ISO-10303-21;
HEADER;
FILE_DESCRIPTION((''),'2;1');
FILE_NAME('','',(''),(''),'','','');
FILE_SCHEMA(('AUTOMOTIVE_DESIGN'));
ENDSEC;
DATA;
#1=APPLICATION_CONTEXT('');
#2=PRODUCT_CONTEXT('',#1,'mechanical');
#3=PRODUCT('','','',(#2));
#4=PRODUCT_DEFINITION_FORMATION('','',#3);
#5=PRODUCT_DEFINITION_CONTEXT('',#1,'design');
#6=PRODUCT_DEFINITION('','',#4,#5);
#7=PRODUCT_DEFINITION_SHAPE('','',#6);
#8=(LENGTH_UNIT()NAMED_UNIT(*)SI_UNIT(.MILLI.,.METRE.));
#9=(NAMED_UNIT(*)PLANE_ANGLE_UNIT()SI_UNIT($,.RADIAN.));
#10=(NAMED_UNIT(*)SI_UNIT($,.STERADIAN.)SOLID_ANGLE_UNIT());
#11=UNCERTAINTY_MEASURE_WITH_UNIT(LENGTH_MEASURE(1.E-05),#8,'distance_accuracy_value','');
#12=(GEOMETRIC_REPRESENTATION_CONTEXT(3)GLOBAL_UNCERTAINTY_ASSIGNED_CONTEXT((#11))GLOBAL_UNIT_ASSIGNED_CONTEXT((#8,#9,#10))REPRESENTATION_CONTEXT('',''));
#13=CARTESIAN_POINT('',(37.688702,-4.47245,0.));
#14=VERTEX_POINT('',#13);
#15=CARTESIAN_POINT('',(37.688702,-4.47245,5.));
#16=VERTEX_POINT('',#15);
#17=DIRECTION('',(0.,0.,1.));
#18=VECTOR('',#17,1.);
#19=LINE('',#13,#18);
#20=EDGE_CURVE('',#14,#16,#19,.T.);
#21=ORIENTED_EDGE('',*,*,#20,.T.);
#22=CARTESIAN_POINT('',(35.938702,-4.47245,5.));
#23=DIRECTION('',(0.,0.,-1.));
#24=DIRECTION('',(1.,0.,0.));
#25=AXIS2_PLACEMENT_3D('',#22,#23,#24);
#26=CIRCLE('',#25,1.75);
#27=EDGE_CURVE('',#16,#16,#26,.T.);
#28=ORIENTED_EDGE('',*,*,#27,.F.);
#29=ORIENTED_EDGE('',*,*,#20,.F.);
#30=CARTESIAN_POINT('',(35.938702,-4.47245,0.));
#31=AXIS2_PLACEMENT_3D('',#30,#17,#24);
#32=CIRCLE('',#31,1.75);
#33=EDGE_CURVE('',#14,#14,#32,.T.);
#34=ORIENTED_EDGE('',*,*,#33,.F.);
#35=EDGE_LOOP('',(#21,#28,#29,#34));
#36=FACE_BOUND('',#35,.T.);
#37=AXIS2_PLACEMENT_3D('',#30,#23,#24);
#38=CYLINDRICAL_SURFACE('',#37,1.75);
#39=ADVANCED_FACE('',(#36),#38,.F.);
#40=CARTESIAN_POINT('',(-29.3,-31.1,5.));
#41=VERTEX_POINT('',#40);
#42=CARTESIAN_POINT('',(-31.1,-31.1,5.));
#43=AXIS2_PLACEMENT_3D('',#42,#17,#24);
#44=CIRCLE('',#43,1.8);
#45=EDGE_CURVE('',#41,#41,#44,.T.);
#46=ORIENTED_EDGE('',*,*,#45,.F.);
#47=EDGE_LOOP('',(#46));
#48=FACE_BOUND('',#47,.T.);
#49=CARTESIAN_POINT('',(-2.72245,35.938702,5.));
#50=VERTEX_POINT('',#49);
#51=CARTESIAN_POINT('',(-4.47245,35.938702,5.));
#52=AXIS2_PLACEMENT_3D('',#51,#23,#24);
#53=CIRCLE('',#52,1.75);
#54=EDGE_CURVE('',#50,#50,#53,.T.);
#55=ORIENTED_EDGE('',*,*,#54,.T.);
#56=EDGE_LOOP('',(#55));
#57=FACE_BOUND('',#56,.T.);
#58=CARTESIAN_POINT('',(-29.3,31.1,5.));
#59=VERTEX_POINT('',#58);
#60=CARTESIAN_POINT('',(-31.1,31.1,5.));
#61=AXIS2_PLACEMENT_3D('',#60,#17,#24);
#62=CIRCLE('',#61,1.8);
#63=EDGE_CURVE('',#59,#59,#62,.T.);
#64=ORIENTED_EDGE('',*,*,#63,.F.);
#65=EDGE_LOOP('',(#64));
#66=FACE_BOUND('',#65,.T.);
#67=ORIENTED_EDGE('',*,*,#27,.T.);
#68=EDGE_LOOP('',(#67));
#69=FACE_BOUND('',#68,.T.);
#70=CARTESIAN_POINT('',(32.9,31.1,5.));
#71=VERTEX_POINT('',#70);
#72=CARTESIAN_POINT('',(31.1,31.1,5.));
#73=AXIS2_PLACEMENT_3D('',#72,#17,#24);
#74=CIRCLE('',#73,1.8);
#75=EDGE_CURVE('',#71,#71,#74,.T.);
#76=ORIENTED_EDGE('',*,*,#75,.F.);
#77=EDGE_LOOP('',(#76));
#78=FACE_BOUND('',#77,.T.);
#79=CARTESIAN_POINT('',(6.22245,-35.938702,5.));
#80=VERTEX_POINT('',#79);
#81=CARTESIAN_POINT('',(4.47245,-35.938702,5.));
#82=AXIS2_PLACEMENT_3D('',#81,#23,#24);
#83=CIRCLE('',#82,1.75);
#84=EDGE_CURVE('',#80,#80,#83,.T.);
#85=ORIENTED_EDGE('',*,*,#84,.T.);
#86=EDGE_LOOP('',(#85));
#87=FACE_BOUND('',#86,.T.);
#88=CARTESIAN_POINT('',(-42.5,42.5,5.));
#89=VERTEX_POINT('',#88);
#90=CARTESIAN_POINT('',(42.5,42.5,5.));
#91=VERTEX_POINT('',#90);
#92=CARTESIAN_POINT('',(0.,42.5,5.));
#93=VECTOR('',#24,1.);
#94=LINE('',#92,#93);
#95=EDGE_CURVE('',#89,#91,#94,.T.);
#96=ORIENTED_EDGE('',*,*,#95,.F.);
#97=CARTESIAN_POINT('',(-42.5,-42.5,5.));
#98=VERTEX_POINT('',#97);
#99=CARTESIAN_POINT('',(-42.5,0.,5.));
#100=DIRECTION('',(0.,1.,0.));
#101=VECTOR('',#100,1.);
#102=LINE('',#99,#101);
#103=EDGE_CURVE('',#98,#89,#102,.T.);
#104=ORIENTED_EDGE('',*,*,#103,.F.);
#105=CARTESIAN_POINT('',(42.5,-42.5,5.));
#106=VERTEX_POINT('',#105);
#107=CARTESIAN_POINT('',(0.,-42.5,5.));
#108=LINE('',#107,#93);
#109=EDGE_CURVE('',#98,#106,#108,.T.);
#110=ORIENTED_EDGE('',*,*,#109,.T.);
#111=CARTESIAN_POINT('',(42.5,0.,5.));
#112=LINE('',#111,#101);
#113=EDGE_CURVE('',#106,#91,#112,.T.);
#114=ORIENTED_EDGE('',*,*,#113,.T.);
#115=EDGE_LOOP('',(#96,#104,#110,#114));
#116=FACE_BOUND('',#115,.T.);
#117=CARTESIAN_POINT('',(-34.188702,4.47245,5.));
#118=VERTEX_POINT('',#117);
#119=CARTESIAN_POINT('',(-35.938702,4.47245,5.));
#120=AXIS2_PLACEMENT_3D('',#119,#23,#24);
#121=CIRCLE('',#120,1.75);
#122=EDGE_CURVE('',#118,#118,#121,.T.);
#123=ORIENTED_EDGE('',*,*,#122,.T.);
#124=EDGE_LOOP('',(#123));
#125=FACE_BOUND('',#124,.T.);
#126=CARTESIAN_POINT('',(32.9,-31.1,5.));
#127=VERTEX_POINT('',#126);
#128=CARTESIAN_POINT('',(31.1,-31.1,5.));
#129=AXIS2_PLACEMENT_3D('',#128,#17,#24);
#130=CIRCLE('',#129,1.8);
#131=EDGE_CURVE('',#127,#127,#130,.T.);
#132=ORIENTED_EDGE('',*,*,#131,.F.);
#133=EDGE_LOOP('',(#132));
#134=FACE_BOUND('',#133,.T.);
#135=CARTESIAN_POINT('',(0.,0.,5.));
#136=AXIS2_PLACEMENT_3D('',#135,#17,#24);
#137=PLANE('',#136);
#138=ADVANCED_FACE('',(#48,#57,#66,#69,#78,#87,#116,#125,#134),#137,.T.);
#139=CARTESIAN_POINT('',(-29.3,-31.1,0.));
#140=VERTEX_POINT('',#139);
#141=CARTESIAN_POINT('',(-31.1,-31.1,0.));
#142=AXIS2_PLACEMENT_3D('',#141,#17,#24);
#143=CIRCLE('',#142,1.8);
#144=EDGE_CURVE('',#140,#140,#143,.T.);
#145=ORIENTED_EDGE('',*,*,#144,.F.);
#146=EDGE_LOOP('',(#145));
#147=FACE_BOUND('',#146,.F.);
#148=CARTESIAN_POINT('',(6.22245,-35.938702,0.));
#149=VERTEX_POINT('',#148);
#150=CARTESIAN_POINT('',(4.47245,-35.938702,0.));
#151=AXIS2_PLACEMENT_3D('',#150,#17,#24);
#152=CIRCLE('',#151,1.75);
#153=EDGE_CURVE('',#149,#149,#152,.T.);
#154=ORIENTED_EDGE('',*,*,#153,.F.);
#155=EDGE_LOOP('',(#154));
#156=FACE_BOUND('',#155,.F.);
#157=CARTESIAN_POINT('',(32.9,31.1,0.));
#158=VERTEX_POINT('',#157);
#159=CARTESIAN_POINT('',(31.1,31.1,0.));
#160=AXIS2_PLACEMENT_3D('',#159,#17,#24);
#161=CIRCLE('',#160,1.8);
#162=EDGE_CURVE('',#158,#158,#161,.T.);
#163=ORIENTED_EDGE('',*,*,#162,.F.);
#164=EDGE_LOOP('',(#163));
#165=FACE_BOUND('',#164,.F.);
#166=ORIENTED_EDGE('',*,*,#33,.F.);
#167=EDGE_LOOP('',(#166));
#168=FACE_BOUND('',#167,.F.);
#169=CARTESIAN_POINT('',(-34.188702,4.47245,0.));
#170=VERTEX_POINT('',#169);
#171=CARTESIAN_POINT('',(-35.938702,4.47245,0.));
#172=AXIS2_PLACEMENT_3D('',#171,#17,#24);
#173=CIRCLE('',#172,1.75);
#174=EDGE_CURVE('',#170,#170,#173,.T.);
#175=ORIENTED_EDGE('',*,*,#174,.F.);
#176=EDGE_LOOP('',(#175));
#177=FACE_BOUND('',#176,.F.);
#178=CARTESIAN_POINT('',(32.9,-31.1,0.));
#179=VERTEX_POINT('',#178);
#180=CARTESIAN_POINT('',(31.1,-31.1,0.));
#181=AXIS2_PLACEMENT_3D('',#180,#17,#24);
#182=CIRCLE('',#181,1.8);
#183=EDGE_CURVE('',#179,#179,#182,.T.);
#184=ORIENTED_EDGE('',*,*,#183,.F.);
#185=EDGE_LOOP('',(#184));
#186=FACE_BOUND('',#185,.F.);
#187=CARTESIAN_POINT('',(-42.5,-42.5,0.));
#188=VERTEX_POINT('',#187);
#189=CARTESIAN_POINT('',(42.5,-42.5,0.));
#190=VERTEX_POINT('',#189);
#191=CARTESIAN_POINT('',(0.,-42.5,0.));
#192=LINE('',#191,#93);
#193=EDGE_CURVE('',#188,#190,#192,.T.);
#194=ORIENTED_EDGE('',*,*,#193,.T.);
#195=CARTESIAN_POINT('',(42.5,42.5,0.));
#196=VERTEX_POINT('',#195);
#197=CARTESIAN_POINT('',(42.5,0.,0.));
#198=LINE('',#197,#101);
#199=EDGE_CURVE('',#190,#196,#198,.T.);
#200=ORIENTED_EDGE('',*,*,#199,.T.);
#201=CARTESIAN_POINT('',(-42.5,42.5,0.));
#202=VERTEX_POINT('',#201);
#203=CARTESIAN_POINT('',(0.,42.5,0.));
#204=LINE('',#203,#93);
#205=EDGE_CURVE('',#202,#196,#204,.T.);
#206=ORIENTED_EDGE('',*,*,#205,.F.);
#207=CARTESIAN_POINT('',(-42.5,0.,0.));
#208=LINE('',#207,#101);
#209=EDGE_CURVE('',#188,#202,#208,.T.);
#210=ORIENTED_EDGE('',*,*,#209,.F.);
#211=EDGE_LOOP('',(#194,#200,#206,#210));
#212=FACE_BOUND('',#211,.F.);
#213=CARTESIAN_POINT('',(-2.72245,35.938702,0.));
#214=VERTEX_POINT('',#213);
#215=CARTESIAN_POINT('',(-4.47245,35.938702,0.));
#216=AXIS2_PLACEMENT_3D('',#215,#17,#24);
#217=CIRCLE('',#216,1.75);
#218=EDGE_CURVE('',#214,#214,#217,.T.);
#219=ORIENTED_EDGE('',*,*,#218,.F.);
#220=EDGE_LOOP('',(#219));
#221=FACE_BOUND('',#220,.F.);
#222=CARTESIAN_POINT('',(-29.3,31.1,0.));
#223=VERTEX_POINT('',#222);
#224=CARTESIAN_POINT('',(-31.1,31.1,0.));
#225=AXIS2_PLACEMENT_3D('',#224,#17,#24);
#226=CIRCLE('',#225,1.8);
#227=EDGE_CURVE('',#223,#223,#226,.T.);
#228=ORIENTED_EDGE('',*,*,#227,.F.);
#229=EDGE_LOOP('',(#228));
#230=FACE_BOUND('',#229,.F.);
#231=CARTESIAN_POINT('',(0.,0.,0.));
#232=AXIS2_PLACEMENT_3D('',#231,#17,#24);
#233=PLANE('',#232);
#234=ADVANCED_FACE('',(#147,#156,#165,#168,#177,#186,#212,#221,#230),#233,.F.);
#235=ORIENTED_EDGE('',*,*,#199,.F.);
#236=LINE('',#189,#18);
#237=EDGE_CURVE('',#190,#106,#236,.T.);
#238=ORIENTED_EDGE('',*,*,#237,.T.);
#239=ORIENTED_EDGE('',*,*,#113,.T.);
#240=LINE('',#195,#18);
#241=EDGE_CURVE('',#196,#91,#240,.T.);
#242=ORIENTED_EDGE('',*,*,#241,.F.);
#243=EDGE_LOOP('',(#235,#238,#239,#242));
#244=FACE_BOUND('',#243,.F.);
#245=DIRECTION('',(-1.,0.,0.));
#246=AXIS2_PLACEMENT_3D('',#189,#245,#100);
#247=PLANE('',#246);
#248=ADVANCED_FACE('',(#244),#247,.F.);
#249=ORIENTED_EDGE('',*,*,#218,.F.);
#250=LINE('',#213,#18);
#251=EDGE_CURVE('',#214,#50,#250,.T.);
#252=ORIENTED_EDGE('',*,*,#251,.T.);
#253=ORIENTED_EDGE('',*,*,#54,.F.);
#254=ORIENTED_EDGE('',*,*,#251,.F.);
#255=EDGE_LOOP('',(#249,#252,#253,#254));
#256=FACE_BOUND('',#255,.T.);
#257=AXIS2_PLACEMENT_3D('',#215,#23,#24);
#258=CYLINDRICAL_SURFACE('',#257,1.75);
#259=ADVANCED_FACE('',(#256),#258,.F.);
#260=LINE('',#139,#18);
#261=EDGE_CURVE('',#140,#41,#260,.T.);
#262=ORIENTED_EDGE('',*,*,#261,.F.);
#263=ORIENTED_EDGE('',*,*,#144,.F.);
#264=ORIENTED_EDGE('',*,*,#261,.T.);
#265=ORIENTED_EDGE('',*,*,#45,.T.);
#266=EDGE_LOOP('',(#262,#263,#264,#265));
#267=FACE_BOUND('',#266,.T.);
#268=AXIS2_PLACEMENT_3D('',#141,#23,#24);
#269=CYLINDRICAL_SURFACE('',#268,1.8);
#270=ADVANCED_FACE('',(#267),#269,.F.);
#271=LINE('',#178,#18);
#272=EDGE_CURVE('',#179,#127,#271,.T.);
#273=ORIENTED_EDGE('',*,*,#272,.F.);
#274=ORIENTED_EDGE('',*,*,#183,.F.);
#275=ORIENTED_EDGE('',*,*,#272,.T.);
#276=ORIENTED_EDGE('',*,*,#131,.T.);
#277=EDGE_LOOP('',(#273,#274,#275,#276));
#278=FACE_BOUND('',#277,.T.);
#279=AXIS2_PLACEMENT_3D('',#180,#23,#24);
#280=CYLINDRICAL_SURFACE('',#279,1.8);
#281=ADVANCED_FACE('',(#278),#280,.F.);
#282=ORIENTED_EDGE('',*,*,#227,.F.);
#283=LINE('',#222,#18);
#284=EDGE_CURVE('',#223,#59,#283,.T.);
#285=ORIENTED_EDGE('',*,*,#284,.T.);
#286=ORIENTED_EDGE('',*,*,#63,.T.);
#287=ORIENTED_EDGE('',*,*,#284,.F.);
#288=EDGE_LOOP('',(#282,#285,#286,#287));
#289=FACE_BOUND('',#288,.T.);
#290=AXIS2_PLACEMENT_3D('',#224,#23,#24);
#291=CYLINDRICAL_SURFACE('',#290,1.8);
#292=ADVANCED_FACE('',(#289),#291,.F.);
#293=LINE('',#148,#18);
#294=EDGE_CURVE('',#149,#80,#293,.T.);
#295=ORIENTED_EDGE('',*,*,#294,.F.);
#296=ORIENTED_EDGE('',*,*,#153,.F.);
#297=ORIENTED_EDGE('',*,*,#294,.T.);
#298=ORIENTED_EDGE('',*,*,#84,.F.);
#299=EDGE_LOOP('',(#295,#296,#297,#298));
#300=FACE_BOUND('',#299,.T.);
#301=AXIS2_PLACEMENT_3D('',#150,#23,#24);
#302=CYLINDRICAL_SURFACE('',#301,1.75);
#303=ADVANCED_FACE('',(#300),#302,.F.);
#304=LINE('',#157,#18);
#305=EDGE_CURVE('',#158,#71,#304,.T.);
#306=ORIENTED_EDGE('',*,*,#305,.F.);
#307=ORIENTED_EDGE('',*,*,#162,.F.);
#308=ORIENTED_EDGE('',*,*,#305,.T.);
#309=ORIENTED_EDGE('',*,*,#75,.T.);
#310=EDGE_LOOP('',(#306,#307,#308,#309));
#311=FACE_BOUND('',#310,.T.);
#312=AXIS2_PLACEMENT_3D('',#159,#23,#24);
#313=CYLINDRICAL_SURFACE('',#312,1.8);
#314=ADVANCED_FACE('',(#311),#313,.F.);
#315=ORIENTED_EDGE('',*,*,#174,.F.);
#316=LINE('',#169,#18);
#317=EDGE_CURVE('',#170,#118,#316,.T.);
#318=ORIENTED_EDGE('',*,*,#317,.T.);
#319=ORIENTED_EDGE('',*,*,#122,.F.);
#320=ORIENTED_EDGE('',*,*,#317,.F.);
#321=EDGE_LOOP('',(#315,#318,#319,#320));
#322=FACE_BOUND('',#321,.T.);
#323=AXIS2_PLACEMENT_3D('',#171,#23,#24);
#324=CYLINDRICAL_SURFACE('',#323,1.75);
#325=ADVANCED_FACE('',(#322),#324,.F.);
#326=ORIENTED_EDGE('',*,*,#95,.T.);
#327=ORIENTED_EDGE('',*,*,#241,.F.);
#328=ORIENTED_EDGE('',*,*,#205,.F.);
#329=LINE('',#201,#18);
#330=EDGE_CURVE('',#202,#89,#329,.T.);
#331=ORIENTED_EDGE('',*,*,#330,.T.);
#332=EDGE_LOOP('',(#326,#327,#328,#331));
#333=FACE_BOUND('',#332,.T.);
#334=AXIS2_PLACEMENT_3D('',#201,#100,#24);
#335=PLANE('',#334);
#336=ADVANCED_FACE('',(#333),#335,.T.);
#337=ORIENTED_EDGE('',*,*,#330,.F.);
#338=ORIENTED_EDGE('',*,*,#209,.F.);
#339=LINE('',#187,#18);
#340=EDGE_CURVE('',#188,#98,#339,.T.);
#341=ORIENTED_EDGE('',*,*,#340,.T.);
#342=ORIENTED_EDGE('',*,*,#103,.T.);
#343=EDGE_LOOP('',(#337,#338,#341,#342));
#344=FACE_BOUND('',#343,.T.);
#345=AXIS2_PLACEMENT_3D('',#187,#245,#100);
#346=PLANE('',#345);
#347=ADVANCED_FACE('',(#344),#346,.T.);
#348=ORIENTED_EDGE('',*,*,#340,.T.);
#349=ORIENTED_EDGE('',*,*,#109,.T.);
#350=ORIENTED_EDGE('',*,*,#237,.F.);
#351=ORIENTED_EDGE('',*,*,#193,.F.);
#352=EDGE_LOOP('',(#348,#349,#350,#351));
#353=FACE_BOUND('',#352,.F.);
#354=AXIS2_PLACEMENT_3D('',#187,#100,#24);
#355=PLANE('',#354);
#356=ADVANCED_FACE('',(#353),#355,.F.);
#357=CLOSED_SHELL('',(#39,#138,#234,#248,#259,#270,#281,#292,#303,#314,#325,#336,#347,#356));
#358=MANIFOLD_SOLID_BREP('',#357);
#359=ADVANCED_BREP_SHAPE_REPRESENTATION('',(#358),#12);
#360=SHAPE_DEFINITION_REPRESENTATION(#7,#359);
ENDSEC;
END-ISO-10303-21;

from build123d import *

# Parameters (mm, degrees)
F0_W     = 85
F0_H     = 85
F0_R     = 1.8
F2_DEPTH = 5
F1_R     = 1.75
F3_DEPTH = 10


with BuildPart() as f2:
    # F0 (on Top) → F2 (new body)
    with BuildSketch(Plane.XY):
        Rectangle(F0_W, F0_H)
        with Locations((-31.1, -31.1)):
            Circle(F0_R, mode=Mode.SUBTRACT)
        with Locations((31.1, -31.1)):
            Circle(F0_R, mode=Mode.SUBTRACT)
        with Locations((-31.1, 31.1)):
            Circle(F0_R, mode=Mode.SUBTRACT)
        with Locations((31.1, 31.1)):
            Circle(F0_R, mode=Mode.SUBTRACT)
    extrude(amount=F2_DEPTH)

    # F1 (on face) → F3 (cut)
    with BuildSketch(Plane.XY):
        with Locations((-4.47245, 35.938702)):
            Circle(F1_R)
        with Locations((35.938702, -4.47245)):
            Circle(F1_R)
        with Locations((4.47245, -35.938702)):
            Circle(F1_R)
        with Locations((-35.938702, 4.47245)):
            Circle(F1_R)
    extrude(amount=F3_DEPTH, mode=Mode.SUBTRACT)


solid = f2.part
